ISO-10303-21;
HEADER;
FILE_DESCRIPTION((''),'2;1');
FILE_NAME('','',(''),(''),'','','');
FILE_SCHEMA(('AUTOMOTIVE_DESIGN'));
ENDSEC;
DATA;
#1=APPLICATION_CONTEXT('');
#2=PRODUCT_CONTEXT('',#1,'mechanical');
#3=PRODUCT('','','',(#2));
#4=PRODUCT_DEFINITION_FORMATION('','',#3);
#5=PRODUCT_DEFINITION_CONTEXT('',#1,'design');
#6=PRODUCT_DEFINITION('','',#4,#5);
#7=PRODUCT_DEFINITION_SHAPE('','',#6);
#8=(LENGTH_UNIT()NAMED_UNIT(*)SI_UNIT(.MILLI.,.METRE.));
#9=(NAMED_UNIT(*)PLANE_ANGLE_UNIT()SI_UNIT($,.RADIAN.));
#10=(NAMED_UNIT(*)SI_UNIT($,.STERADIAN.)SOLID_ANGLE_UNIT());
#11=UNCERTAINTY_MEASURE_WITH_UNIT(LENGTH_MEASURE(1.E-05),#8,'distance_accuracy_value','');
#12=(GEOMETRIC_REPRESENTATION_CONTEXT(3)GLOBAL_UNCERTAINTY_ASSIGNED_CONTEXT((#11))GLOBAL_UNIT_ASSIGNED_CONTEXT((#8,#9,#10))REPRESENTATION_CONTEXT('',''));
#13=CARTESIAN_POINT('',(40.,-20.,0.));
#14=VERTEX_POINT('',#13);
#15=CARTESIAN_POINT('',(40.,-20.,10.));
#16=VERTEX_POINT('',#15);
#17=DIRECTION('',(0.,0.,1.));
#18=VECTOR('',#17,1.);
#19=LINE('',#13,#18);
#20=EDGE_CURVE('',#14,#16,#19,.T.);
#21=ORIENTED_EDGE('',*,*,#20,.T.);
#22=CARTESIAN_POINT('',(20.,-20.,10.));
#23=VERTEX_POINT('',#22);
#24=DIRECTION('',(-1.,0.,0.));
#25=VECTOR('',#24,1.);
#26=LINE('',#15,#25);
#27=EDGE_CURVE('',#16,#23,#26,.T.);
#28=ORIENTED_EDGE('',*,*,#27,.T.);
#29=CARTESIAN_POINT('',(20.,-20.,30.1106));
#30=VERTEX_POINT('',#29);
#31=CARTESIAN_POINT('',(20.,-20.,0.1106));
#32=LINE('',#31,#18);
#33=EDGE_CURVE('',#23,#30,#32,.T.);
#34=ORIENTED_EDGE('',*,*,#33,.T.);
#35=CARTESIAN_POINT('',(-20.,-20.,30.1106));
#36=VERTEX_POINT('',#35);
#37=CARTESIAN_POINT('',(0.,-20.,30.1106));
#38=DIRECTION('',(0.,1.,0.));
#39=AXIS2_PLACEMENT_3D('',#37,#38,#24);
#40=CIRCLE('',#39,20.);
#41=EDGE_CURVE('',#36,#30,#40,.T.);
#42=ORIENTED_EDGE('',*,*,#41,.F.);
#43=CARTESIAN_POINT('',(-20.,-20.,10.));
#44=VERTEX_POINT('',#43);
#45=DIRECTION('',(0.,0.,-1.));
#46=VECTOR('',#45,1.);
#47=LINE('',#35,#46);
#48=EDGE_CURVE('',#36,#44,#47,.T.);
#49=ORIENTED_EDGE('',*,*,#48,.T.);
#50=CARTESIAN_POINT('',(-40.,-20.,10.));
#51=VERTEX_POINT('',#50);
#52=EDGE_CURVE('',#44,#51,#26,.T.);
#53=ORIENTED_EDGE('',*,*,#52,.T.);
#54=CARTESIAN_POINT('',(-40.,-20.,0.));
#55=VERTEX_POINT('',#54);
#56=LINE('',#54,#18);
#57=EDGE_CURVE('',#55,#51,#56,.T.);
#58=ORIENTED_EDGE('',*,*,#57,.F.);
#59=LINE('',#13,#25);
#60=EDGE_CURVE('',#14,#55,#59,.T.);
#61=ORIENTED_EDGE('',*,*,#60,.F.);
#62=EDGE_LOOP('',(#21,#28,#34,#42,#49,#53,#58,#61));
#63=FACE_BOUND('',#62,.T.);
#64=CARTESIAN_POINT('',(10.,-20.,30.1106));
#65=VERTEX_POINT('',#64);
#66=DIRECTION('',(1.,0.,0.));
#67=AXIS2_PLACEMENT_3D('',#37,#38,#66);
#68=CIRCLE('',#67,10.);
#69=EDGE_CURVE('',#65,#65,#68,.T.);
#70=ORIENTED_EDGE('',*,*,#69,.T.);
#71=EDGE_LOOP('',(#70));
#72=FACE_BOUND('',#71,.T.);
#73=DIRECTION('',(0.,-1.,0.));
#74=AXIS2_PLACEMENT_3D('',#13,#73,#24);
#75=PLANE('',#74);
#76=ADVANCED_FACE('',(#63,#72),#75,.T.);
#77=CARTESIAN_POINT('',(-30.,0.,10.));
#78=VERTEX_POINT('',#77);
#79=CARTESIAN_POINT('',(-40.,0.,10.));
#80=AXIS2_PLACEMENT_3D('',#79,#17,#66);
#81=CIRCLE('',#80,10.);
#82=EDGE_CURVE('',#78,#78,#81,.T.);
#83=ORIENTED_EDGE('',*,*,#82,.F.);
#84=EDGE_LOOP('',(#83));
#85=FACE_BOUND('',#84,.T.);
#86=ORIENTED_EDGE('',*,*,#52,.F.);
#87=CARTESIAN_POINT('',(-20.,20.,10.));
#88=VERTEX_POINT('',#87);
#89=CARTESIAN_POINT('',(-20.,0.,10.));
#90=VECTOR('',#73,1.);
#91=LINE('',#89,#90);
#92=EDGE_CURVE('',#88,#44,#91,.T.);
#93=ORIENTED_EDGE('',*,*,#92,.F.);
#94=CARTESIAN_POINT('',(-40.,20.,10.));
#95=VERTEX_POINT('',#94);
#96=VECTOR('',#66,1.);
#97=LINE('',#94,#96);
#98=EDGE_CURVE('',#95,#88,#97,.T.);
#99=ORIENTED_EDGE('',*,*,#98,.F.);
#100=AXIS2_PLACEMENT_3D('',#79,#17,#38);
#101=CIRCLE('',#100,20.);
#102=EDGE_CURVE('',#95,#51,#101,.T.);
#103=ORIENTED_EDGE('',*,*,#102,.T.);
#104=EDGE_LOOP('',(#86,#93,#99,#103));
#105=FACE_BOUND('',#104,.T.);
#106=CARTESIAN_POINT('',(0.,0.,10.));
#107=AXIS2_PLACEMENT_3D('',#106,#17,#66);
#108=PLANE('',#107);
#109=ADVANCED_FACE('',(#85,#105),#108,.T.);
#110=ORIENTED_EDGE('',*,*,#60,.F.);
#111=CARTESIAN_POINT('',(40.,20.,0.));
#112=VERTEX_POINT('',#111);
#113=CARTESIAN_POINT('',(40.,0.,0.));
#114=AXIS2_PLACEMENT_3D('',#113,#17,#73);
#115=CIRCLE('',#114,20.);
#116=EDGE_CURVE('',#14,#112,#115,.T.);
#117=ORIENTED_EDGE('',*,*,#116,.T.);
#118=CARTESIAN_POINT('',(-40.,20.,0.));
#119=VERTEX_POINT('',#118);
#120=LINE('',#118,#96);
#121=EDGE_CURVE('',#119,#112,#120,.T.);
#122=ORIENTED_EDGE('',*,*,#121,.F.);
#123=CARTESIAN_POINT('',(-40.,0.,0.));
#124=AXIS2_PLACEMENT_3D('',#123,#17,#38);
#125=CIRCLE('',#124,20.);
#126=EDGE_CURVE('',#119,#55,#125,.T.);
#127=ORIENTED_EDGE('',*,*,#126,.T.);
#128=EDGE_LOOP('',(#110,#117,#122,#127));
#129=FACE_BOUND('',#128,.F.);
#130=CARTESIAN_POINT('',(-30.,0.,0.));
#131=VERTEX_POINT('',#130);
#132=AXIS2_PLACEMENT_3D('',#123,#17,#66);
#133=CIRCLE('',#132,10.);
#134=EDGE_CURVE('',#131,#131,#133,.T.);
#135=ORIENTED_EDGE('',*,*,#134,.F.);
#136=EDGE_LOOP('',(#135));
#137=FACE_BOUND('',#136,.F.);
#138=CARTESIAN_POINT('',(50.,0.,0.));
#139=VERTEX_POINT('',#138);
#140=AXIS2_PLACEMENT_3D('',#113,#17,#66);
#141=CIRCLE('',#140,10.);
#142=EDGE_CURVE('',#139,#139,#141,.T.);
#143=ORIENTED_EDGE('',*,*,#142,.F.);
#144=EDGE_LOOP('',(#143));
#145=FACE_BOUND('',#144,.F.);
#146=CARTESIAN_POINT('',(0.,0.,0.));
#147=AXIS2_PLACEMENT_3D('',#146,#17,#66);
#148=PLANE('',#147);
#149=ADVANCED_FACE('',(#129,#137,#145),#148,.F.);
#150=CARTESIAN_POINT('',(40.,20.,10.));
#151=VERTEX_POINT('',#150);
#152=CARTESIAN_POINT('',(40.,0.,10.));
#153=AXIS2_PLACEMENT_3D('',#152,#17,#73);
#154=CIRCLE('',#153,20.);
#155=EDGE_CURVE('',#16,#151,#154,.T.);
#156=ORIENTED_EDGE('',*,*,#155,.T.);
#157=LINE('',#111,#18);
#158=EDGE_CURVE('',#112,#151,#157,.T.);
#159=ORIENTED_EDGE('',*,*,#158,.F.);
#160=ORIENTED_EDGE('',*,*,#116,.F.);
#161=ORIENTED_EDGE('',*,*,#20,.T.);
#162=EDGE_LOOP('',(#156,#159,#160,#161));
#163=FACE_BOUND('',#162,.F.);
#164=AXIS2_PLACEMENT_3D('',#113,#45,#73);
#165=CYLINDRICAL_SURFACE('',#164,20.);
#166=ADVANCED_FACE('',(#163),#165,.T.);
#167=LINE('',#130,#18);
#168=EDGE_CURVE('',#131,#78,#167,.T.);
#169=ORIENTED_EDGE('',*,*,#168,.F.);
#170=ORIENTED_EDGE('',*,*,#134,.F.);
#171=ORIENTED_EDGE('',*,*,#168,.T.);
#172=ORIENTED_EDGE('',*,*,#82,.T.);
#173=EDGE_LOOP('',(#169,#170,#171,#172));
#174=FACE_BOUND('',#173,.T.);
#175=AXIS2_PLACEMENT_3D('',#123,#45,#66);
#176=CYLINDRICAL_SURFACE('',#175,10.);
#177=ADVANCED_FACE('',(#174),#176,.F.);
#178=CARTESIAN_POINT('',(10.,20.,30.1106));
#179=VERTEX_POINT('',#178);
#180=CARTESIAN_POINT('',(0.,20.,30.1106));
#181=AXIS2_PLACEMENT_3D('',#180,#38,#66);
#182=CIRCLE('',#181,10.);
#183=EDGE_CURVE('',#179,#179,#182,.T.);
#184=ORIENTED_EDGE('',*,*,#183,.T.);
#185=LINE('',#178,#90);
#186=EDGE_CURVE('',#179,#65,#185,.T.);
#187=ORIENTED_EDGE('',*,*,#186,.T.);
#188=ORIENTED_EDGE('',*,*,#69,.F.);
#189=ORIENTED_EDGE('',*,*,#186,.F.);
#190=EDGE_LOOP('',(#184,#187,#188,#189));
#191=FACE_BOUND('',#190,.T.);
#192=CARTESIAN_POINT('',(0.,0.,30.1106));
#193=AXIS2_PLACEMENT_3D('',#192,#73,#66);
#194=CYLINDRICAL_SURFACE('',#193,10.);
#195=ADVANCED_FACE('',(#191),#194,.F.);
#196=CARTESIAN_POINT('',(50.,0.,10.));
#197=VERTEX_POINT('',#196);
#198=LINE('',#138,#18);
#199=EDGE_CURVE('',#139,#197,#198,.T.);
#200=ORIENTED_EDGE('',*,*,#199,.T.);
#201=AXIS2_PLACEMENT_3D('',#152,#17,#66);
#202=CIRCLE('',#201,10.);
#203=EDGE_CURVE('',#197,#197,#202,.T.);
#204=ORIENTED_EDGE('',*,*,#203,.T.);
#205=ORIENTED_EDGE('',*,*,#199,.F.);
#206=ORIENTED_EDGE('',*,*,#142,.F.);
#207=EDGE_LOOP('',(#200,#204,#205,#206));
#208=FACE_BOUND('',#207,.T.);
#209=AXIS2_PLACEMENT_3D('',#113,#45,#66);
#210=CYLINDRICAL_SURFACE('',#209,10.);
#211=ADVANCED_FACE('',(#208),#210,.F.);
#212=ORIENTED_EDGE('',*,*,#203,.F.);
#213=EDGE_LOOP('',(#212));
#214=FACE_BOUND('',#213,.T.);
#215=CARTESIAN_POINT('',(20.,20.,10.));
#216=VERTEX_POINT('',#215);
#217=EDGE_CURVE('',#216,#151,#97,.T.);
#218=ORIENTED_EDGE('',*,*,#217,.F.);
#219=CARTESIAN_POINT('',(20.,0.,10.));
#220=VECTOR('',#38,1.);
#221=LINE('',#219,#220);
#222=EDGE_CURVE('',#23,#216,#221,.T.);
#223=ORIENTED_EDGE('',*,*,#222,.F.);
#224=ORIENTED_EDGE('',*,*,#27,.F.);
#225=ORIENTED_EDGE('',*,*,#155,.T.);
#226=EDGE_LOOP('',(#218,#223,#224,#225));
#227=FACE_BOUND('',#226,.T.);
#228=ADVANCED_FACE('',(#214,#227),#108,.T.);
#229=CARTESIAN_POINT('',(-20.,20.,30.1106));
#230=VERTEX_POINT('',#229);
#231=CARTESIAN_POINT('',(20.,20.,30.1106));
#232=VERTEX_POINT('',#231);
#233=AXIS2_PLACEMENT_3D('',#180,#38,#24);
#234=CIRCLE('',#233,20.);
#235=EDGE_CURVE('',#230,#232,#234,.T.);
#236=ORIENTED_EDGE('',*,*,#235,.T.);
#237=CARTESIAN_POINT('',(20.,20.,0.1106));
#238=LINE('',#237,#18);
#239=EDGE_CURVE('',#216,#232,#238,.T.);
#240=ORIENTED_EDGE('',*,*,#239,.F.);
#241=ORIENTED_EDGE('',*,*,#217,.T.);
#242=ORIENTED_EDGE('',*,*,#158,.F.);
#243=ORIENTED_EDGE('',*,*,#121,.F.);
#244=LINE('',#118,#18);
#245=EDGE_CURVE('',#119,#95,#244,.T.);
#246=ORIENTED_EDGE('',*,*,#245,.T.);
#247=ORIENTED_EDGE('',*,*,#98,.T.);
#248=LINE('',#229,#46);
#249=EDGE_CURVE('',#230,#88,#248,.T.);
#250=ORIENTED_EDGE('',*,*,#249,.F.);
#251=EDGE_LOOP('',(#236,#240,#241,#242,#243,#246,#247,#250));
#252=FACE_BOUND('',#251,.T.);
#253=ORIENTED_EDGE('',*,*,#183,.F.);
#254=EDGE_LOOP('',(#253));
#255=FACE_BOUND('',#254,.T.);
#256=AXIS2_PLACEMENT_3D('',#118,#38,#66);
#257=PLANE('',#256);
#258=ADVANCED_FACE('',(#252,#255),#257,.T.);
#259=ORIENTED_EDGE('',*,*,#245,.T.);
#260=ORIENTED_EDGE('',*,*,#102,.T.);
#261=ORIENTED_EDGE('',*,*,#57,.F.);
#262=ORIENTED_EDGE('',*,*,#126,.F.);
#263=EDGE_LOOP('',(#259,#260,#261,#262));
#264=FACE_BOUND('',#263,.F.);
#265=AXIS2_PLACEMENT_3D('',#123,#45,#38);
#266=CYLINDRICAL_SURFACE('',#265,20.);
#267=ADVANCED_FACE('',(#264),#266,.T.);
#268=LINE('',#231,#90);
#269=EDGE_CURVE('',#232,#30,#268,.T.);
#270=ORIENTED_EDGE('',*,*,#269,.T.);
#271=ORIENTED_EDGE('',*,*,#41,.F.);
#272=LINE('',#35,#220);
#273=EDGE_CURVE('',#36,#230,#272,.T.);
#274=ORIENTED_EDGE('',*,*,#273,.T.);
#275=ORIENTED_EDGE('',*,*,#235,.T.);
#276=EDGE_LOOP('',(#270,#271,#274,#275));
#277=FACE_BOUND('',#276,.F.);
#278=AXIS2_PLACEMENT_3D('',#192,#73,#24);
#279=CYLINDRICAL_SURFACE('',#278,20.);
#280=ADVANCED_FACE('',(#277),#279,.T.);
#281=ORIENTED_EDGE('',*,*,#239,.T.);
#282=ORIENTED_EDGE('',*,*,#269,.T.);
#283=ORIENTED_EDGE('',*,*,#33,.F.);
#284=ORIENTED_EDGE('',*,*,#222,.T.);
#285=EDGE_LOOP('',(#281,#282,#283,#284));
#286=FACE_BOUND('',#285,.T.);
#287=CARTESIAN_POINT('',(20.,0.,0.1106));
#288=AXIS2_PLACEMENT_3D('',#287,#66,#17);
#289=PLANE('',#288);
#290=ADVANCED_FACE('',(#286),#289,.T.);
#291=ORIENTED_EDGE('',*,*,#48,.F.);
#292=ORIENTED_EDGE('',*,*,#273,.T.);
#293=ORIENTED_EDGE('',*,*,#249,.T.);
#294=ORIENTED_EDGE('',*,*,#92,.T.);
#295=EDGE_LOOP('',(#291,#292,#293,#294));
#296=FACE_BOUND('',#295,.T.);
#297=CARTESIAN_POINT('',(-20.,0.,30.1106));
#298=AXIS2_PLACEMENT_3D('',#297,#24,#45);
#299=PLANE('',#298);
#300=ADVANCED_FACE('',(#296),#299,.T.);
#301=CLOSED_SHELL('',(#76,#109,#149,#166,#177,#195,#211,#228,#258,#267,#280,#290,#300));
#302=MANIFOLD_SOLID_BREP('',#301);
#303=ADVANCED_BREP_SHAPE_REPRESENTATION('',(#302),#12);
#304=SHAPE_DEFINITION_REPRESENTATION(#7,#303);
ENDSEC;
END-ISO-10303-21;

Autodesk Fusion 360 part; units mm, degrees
sketch "Sketch1" plane through (0, 0, 0) normal (0, 0, 1) x (1, 0, 0)
  line L0 (-40, 20) -> (40, 20)
  line L1 (40, -20) -> (-40, -20)
  circle A0 centre (40, 0) radius 10
  circle A1 centre (-40, 0) radius 10
  arc A2 (40, -20) -> (40, 20) centre (40, 0) ccw
  arc A3 (-40, 20) -> (-40, -20) centre (-40, 0) ccw
  dimension "d1" = 80
  dimension "d2" = 40
  dimension "d5" = 40
  dimension "d6" = 40
extrude "Extrude1" add sketch "Sketch1" along normal blind 10
sketch "Sketch2" plane through (0, 0, 0) normal (0, 1, 0) x (1, 0, 0)
  line L0 (-20, -0.1106) -> (20, -0.1106)
  line L1 (20, -0.1106) -> (20, -30.1106)
  line L2 (-20, -30.1106) -> (-20, -0.1106)
  line L3 (-40, 0) -> (-40, -10)
  circle A0 centre (0, -30.1106) radius 10
  arc A1 (-20, -30.1106) -> (20, -30.1106) centre (0, -30.1106) ccw
  dimension "d11" = 40
  dimension "d12" = 30
  dimension "d13" = 20
  dimension "d14" = 40
  dimension "d15" = 20
  dimension "d16" = 20
extrude "Extrude2" add sketch "Sketch2" along normal mid plane 40
